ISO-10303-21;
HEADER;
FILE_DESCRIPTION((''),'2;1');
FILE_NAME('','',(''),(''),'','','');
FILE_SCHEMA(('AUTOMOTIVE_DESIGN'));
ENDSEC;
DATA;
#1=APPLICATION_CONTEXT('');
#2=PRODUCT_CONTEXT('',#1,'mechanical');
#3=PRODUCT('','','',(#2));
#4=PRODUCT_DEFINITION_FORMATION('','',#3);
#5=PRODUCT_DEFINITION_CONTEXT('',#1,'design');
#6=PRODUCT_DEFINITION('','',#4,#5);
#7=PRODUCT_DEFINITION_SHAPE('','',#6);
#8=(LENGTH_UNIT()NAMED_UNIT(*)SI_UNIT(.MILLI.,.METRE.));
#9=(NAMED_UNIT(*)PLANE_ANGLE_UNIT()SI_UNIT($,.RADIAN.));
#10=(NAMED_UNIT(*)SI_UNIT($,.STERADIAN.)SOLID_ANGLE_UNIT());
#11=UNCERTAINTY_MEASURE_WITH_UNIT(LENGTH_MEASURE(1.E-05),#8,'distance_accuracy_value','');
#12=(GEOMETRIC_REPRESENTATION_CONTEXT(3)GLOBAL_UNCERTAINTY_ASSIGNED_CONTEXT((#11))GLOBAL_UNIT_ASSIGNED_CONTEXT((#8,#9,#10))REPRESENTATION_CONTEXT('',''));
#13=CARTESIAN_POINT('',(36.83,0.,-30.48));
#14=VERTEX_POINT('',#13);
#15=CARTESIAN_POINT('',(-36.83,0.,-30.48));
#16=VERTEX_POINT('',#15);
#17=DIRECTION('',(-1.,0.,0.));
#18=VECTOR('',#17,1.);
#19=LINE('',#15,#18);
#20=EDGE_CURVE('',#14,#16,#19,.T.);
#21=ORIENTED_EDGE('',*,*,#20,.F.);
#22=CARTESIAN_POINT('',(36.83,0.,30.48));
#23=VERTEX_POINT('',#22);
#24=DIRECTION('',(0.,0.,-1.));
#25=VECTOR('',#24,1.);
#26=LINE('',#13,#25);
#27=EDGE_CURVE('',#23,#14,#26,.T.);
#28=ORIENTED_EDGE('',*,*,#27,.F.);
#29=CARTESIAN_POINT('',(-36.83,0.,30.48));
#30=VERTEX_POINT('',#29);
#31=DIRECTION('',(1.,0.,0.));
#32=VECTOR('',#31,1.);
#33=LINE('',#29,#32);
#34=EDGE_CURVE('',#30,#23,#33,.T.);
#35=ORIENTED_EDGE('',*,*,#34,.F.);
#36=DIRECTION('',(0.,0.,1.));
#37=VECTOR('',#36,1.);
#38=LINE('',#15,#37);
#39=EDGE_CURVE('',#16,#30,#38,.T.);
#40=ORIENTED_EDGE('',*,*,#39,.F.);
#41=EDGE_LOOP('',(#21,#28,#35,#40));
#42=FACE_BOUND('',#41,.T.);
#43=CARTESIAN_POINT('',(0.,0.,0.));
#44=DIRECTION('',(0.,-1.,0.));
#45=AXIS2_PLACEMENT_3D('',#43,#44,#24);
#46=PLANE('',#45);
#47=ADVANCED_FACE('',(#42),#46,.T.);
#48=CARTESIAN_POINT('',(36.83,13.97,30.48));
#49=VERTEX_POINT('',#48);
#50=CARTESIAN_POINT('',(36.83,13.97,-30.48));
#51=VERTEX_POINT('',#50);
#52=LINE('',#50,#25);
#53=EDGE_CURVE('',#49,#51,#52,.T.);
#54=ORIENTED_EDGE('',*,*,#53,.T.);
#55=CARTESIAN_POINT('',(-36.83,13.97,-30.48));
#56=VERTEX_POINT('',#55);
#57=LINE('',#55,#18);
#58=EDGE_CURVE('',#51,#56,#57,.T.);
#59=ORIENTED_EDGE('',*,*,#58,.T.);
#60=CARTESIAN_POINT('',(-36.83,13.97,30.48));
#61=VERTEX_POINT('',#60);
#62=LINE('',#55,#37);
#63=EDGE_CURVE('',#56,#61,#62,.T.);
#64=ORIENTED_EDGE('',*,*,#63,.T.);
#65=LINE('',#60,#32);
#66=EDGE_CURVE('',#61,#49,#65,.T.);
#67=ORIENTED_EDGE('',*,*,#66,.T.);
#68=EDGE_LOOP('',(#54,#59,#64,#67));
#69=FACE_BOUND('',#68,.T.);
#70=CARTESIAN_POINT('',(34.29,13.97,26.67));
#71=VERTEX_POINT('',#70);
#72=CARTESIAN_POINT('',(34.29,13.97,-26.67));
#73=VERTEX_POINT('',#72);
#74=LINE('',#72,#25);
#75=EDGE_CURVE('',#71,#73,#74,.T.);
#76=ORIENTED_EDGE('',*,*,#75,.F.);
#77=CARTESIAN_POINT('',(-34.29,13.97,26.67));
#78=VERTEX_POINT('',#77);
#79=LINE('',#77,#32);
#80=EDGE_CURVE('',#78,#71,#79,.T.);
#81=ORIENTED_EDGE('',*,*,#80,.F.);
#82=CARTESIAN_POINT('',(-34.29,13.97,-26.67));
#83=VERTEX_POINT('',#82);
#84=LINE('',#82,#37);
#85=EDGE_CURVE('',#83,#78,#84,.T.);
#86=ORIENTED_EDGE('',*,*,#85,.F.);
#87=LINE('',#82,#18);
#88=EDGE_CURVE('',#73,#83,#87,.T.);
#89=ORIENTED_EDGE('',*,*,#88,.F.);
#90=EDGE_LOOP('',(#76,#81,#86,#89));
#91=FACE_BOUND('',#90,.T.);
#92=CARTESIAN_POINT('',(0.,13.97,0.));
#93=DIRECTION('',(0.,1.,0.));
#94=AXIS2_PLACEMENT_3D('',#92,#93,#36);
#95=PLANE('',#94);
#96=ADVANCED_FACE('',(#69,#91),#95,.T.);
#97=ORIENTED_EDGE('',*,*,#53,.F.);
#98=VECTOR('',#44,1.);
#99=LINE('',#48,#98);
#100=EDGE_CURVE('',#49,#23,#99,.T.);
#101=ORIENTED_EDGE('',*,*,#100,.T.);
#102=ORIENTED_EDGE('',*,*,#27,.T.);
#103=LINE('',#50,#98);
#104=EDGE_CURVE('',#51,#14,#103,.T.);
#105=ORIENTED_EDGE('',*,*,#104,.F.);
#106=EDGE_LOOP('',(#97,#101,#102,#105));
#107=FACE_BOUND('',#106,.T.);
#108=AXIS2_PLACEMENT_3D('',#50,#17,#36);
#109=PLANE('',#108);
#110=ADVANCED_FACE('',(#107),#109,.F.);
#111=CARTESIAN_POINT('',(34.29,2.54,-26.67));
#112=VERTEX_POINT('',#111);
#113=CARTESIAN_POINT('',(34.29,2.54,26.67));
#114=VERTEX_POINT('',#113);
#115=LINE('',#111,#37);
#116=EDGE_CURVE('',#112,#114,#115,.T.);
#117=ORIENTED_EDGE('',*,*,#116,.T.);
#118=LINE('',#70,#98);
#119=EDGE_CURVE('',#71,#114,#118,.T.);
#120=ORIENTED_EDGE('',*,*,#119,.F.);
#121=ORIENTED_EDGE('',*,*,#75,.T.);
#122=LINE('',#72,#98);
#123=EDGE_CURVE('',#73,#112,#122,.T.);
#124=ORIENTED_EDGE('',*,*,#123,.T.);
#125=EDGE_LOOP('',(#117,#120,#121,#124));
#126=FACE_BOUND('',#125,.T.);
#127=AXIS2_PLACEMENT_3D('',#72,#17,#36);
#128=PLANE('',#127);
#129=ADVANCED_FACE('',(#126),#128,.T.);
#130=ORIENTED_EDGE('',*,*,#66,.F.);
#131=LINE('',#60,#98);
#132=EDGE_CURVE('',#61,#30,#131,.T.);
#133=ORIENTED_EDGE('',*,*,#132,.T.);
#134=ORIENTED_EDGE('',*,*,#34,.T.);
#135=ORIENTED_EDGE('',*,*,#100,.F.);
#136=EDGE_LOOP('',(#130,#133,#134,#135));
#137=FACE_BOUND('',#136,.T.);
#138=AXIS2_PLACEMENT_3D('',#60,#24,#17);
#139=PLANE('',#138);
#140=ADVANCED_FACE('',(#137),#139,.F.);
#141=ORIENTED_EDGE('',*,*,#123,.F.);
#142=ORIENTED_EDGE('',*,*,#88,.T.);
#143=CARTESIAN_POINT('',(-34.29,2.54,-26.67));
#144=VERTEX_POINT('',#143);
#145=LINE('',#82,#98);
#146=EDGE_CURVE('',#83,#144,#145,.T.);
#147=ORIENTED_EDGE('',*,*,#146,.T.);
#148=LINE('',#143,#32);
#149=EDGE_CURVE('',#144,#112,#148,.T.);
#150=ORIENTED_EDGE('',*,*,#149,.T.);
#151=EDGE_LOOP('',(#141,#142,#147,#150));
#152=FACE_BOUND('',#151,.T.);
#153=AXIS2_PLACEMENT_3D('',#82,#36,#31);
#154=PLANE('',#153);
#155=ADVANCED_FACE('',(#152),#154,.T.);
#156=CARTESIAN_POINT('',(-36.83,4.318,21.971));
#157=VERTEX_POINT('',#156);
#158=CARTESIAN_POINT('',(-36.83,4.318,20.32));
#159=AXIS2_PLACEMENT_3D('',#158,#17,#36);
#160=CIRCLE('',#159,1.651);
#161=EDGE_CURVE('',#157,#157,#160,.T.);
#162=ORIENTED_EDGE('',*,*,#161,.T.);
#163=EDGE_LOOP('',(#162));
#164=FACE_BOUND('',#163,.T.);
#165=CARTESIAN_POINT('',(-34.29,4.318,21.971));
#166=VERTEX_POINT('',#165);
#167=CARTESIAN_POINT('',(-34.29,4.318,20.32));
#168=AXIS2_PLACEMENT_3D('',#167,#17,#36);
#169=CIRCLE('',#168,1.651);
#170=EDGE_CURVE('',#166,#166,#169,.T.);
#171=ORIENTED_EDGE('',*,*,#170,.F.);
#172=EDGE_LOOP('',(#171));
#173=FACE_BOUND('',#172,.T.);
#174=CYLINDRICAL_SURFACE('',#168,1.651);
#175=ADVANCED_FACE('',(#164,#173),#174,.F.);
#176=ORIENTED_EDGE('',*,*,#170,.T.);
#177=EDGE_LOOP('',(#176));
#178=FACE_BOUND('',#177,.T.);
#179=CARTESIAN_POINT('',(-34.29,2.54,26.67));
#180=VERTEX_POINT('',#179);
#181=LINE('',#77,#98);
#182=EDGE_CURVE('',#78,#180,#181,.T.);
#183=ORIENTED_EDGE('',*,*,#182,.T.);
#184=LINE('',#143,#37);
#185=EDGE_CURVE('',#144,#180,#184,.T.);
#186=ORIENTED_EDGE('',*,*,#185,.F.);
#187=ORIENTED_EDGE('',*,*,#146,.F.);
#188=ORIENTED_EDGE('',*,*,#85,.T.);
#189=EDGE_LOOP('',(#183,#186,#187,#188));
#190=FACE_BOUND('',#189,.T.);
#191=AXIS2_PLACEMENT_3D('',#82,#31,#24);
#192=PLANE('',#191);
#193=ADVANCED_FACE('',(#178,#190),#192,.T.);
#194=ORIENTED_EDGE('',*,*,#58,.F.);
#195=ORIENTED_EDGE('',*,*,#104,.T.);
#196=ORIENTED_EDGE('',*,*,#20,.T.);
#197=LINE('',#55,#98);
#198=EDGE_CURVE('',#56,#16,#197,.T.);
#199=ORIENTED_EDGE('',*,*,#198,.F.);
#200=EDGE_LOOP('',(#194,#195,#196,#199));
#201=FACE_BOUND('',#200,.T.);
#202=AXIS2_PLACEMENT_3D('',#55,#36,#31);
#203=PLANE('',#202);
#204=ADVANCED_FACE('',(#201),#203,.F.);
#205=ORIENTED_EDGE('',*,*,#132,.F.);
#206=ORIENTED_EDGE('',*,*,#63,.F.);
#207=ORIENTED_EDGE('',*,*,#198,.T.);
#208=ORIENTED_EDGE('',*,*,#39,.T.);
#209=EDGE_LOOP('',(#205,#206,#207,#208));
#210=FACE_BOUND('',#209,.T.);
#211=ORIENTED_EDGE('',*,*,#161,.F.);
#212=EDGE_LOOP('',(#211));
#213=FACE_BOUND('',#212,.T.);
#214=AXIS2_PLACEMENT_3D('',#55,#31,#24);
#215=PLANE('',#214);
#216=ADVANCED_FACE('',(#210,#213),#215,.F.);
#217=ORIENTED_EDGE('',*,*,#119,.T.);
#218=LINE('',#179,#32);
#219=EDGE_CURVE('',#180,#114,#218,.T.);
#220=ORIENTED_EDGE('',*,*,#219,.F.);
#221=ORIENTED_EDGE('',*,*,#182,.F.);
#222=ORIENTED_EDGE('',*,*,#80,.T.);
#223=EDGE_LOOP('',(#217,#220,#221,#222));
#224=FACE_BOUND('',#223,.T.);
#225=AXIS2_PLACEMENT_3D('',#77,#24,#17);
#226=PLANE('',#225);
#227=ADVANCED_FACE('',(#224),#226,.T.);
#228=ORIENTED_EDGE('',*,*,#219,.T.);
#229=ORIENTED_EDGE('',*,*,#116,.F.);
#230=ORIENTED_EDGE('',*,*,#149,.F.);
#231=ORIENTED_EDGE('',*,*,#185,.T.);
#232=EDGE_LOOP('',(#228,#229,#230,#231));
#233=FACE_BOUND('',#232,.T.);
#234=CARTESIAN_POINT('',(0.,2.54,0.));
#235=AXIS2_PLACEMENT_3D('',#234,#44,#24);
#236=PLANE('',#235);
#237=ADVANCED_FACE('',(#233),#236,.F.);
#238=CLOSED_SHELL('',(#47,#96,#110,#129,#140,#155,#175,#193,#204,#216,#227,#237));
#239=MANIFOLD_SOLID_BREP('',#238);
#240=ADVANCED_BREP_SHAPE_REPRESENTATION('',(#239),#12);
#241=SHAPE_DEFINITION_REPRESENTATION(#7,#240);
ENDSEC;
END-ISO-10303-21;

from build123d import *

# Parameters (mm, degrees)
SKETCH1_W         = 68.58
SKETCH1_H         = 53.34
PCB_BASE_DEPTH    = 2.54
SKETCH1_4_W       = 73.66
SKETCH1_4_H       = 60.96
SKETCH1_4_W_2     = 68.58
SKETCH1_4_H_2     = 53.34
PCB_WALL_DEPTH    = 13.97
SKETCH3_R         = 1.651
BATTERY_GAP_DEPTH = 2.54


with BuildPart() as part:
    # Sketch1 → pcb-base (new body)
    with BuildSketch(Plane(origin=(0, 0, 0), x_dir=(1, 0, 0), z_dir=(0, 1, 0))):
        Rectangle(SKETCH1_W, SKETCH1_H)
    extrude(amount=PCB_BASE_DEPTH)

    # Sketch1<4> → pcb-wall (add)
    with BuildSketch(Plane(origin=(0, 0, 0), x_dir=(1, 0, 0), z_dir=(0, 1, 0))):
        Rectangle(SKETCH1_4_W, SKETCH1_4_H)
        Rectangle(SKETCH1_4_W_2, SKETCH1_4_H_2, mode=Mode.SUBTRACT)
    extrude(amount=PCB_WALL_DEPTH)

    # Sketch3 → battery-gap (cut)
    with BuildSketch(Plane.ZY.offset(36.83)):
        with Locations((20.32, 4.318)):
            Circle(SKETCH3_R)
    extrude(amount=-BATTERY_GAP_DEPTH, mode=Mode.SUBTRACT)


solid = part.part
